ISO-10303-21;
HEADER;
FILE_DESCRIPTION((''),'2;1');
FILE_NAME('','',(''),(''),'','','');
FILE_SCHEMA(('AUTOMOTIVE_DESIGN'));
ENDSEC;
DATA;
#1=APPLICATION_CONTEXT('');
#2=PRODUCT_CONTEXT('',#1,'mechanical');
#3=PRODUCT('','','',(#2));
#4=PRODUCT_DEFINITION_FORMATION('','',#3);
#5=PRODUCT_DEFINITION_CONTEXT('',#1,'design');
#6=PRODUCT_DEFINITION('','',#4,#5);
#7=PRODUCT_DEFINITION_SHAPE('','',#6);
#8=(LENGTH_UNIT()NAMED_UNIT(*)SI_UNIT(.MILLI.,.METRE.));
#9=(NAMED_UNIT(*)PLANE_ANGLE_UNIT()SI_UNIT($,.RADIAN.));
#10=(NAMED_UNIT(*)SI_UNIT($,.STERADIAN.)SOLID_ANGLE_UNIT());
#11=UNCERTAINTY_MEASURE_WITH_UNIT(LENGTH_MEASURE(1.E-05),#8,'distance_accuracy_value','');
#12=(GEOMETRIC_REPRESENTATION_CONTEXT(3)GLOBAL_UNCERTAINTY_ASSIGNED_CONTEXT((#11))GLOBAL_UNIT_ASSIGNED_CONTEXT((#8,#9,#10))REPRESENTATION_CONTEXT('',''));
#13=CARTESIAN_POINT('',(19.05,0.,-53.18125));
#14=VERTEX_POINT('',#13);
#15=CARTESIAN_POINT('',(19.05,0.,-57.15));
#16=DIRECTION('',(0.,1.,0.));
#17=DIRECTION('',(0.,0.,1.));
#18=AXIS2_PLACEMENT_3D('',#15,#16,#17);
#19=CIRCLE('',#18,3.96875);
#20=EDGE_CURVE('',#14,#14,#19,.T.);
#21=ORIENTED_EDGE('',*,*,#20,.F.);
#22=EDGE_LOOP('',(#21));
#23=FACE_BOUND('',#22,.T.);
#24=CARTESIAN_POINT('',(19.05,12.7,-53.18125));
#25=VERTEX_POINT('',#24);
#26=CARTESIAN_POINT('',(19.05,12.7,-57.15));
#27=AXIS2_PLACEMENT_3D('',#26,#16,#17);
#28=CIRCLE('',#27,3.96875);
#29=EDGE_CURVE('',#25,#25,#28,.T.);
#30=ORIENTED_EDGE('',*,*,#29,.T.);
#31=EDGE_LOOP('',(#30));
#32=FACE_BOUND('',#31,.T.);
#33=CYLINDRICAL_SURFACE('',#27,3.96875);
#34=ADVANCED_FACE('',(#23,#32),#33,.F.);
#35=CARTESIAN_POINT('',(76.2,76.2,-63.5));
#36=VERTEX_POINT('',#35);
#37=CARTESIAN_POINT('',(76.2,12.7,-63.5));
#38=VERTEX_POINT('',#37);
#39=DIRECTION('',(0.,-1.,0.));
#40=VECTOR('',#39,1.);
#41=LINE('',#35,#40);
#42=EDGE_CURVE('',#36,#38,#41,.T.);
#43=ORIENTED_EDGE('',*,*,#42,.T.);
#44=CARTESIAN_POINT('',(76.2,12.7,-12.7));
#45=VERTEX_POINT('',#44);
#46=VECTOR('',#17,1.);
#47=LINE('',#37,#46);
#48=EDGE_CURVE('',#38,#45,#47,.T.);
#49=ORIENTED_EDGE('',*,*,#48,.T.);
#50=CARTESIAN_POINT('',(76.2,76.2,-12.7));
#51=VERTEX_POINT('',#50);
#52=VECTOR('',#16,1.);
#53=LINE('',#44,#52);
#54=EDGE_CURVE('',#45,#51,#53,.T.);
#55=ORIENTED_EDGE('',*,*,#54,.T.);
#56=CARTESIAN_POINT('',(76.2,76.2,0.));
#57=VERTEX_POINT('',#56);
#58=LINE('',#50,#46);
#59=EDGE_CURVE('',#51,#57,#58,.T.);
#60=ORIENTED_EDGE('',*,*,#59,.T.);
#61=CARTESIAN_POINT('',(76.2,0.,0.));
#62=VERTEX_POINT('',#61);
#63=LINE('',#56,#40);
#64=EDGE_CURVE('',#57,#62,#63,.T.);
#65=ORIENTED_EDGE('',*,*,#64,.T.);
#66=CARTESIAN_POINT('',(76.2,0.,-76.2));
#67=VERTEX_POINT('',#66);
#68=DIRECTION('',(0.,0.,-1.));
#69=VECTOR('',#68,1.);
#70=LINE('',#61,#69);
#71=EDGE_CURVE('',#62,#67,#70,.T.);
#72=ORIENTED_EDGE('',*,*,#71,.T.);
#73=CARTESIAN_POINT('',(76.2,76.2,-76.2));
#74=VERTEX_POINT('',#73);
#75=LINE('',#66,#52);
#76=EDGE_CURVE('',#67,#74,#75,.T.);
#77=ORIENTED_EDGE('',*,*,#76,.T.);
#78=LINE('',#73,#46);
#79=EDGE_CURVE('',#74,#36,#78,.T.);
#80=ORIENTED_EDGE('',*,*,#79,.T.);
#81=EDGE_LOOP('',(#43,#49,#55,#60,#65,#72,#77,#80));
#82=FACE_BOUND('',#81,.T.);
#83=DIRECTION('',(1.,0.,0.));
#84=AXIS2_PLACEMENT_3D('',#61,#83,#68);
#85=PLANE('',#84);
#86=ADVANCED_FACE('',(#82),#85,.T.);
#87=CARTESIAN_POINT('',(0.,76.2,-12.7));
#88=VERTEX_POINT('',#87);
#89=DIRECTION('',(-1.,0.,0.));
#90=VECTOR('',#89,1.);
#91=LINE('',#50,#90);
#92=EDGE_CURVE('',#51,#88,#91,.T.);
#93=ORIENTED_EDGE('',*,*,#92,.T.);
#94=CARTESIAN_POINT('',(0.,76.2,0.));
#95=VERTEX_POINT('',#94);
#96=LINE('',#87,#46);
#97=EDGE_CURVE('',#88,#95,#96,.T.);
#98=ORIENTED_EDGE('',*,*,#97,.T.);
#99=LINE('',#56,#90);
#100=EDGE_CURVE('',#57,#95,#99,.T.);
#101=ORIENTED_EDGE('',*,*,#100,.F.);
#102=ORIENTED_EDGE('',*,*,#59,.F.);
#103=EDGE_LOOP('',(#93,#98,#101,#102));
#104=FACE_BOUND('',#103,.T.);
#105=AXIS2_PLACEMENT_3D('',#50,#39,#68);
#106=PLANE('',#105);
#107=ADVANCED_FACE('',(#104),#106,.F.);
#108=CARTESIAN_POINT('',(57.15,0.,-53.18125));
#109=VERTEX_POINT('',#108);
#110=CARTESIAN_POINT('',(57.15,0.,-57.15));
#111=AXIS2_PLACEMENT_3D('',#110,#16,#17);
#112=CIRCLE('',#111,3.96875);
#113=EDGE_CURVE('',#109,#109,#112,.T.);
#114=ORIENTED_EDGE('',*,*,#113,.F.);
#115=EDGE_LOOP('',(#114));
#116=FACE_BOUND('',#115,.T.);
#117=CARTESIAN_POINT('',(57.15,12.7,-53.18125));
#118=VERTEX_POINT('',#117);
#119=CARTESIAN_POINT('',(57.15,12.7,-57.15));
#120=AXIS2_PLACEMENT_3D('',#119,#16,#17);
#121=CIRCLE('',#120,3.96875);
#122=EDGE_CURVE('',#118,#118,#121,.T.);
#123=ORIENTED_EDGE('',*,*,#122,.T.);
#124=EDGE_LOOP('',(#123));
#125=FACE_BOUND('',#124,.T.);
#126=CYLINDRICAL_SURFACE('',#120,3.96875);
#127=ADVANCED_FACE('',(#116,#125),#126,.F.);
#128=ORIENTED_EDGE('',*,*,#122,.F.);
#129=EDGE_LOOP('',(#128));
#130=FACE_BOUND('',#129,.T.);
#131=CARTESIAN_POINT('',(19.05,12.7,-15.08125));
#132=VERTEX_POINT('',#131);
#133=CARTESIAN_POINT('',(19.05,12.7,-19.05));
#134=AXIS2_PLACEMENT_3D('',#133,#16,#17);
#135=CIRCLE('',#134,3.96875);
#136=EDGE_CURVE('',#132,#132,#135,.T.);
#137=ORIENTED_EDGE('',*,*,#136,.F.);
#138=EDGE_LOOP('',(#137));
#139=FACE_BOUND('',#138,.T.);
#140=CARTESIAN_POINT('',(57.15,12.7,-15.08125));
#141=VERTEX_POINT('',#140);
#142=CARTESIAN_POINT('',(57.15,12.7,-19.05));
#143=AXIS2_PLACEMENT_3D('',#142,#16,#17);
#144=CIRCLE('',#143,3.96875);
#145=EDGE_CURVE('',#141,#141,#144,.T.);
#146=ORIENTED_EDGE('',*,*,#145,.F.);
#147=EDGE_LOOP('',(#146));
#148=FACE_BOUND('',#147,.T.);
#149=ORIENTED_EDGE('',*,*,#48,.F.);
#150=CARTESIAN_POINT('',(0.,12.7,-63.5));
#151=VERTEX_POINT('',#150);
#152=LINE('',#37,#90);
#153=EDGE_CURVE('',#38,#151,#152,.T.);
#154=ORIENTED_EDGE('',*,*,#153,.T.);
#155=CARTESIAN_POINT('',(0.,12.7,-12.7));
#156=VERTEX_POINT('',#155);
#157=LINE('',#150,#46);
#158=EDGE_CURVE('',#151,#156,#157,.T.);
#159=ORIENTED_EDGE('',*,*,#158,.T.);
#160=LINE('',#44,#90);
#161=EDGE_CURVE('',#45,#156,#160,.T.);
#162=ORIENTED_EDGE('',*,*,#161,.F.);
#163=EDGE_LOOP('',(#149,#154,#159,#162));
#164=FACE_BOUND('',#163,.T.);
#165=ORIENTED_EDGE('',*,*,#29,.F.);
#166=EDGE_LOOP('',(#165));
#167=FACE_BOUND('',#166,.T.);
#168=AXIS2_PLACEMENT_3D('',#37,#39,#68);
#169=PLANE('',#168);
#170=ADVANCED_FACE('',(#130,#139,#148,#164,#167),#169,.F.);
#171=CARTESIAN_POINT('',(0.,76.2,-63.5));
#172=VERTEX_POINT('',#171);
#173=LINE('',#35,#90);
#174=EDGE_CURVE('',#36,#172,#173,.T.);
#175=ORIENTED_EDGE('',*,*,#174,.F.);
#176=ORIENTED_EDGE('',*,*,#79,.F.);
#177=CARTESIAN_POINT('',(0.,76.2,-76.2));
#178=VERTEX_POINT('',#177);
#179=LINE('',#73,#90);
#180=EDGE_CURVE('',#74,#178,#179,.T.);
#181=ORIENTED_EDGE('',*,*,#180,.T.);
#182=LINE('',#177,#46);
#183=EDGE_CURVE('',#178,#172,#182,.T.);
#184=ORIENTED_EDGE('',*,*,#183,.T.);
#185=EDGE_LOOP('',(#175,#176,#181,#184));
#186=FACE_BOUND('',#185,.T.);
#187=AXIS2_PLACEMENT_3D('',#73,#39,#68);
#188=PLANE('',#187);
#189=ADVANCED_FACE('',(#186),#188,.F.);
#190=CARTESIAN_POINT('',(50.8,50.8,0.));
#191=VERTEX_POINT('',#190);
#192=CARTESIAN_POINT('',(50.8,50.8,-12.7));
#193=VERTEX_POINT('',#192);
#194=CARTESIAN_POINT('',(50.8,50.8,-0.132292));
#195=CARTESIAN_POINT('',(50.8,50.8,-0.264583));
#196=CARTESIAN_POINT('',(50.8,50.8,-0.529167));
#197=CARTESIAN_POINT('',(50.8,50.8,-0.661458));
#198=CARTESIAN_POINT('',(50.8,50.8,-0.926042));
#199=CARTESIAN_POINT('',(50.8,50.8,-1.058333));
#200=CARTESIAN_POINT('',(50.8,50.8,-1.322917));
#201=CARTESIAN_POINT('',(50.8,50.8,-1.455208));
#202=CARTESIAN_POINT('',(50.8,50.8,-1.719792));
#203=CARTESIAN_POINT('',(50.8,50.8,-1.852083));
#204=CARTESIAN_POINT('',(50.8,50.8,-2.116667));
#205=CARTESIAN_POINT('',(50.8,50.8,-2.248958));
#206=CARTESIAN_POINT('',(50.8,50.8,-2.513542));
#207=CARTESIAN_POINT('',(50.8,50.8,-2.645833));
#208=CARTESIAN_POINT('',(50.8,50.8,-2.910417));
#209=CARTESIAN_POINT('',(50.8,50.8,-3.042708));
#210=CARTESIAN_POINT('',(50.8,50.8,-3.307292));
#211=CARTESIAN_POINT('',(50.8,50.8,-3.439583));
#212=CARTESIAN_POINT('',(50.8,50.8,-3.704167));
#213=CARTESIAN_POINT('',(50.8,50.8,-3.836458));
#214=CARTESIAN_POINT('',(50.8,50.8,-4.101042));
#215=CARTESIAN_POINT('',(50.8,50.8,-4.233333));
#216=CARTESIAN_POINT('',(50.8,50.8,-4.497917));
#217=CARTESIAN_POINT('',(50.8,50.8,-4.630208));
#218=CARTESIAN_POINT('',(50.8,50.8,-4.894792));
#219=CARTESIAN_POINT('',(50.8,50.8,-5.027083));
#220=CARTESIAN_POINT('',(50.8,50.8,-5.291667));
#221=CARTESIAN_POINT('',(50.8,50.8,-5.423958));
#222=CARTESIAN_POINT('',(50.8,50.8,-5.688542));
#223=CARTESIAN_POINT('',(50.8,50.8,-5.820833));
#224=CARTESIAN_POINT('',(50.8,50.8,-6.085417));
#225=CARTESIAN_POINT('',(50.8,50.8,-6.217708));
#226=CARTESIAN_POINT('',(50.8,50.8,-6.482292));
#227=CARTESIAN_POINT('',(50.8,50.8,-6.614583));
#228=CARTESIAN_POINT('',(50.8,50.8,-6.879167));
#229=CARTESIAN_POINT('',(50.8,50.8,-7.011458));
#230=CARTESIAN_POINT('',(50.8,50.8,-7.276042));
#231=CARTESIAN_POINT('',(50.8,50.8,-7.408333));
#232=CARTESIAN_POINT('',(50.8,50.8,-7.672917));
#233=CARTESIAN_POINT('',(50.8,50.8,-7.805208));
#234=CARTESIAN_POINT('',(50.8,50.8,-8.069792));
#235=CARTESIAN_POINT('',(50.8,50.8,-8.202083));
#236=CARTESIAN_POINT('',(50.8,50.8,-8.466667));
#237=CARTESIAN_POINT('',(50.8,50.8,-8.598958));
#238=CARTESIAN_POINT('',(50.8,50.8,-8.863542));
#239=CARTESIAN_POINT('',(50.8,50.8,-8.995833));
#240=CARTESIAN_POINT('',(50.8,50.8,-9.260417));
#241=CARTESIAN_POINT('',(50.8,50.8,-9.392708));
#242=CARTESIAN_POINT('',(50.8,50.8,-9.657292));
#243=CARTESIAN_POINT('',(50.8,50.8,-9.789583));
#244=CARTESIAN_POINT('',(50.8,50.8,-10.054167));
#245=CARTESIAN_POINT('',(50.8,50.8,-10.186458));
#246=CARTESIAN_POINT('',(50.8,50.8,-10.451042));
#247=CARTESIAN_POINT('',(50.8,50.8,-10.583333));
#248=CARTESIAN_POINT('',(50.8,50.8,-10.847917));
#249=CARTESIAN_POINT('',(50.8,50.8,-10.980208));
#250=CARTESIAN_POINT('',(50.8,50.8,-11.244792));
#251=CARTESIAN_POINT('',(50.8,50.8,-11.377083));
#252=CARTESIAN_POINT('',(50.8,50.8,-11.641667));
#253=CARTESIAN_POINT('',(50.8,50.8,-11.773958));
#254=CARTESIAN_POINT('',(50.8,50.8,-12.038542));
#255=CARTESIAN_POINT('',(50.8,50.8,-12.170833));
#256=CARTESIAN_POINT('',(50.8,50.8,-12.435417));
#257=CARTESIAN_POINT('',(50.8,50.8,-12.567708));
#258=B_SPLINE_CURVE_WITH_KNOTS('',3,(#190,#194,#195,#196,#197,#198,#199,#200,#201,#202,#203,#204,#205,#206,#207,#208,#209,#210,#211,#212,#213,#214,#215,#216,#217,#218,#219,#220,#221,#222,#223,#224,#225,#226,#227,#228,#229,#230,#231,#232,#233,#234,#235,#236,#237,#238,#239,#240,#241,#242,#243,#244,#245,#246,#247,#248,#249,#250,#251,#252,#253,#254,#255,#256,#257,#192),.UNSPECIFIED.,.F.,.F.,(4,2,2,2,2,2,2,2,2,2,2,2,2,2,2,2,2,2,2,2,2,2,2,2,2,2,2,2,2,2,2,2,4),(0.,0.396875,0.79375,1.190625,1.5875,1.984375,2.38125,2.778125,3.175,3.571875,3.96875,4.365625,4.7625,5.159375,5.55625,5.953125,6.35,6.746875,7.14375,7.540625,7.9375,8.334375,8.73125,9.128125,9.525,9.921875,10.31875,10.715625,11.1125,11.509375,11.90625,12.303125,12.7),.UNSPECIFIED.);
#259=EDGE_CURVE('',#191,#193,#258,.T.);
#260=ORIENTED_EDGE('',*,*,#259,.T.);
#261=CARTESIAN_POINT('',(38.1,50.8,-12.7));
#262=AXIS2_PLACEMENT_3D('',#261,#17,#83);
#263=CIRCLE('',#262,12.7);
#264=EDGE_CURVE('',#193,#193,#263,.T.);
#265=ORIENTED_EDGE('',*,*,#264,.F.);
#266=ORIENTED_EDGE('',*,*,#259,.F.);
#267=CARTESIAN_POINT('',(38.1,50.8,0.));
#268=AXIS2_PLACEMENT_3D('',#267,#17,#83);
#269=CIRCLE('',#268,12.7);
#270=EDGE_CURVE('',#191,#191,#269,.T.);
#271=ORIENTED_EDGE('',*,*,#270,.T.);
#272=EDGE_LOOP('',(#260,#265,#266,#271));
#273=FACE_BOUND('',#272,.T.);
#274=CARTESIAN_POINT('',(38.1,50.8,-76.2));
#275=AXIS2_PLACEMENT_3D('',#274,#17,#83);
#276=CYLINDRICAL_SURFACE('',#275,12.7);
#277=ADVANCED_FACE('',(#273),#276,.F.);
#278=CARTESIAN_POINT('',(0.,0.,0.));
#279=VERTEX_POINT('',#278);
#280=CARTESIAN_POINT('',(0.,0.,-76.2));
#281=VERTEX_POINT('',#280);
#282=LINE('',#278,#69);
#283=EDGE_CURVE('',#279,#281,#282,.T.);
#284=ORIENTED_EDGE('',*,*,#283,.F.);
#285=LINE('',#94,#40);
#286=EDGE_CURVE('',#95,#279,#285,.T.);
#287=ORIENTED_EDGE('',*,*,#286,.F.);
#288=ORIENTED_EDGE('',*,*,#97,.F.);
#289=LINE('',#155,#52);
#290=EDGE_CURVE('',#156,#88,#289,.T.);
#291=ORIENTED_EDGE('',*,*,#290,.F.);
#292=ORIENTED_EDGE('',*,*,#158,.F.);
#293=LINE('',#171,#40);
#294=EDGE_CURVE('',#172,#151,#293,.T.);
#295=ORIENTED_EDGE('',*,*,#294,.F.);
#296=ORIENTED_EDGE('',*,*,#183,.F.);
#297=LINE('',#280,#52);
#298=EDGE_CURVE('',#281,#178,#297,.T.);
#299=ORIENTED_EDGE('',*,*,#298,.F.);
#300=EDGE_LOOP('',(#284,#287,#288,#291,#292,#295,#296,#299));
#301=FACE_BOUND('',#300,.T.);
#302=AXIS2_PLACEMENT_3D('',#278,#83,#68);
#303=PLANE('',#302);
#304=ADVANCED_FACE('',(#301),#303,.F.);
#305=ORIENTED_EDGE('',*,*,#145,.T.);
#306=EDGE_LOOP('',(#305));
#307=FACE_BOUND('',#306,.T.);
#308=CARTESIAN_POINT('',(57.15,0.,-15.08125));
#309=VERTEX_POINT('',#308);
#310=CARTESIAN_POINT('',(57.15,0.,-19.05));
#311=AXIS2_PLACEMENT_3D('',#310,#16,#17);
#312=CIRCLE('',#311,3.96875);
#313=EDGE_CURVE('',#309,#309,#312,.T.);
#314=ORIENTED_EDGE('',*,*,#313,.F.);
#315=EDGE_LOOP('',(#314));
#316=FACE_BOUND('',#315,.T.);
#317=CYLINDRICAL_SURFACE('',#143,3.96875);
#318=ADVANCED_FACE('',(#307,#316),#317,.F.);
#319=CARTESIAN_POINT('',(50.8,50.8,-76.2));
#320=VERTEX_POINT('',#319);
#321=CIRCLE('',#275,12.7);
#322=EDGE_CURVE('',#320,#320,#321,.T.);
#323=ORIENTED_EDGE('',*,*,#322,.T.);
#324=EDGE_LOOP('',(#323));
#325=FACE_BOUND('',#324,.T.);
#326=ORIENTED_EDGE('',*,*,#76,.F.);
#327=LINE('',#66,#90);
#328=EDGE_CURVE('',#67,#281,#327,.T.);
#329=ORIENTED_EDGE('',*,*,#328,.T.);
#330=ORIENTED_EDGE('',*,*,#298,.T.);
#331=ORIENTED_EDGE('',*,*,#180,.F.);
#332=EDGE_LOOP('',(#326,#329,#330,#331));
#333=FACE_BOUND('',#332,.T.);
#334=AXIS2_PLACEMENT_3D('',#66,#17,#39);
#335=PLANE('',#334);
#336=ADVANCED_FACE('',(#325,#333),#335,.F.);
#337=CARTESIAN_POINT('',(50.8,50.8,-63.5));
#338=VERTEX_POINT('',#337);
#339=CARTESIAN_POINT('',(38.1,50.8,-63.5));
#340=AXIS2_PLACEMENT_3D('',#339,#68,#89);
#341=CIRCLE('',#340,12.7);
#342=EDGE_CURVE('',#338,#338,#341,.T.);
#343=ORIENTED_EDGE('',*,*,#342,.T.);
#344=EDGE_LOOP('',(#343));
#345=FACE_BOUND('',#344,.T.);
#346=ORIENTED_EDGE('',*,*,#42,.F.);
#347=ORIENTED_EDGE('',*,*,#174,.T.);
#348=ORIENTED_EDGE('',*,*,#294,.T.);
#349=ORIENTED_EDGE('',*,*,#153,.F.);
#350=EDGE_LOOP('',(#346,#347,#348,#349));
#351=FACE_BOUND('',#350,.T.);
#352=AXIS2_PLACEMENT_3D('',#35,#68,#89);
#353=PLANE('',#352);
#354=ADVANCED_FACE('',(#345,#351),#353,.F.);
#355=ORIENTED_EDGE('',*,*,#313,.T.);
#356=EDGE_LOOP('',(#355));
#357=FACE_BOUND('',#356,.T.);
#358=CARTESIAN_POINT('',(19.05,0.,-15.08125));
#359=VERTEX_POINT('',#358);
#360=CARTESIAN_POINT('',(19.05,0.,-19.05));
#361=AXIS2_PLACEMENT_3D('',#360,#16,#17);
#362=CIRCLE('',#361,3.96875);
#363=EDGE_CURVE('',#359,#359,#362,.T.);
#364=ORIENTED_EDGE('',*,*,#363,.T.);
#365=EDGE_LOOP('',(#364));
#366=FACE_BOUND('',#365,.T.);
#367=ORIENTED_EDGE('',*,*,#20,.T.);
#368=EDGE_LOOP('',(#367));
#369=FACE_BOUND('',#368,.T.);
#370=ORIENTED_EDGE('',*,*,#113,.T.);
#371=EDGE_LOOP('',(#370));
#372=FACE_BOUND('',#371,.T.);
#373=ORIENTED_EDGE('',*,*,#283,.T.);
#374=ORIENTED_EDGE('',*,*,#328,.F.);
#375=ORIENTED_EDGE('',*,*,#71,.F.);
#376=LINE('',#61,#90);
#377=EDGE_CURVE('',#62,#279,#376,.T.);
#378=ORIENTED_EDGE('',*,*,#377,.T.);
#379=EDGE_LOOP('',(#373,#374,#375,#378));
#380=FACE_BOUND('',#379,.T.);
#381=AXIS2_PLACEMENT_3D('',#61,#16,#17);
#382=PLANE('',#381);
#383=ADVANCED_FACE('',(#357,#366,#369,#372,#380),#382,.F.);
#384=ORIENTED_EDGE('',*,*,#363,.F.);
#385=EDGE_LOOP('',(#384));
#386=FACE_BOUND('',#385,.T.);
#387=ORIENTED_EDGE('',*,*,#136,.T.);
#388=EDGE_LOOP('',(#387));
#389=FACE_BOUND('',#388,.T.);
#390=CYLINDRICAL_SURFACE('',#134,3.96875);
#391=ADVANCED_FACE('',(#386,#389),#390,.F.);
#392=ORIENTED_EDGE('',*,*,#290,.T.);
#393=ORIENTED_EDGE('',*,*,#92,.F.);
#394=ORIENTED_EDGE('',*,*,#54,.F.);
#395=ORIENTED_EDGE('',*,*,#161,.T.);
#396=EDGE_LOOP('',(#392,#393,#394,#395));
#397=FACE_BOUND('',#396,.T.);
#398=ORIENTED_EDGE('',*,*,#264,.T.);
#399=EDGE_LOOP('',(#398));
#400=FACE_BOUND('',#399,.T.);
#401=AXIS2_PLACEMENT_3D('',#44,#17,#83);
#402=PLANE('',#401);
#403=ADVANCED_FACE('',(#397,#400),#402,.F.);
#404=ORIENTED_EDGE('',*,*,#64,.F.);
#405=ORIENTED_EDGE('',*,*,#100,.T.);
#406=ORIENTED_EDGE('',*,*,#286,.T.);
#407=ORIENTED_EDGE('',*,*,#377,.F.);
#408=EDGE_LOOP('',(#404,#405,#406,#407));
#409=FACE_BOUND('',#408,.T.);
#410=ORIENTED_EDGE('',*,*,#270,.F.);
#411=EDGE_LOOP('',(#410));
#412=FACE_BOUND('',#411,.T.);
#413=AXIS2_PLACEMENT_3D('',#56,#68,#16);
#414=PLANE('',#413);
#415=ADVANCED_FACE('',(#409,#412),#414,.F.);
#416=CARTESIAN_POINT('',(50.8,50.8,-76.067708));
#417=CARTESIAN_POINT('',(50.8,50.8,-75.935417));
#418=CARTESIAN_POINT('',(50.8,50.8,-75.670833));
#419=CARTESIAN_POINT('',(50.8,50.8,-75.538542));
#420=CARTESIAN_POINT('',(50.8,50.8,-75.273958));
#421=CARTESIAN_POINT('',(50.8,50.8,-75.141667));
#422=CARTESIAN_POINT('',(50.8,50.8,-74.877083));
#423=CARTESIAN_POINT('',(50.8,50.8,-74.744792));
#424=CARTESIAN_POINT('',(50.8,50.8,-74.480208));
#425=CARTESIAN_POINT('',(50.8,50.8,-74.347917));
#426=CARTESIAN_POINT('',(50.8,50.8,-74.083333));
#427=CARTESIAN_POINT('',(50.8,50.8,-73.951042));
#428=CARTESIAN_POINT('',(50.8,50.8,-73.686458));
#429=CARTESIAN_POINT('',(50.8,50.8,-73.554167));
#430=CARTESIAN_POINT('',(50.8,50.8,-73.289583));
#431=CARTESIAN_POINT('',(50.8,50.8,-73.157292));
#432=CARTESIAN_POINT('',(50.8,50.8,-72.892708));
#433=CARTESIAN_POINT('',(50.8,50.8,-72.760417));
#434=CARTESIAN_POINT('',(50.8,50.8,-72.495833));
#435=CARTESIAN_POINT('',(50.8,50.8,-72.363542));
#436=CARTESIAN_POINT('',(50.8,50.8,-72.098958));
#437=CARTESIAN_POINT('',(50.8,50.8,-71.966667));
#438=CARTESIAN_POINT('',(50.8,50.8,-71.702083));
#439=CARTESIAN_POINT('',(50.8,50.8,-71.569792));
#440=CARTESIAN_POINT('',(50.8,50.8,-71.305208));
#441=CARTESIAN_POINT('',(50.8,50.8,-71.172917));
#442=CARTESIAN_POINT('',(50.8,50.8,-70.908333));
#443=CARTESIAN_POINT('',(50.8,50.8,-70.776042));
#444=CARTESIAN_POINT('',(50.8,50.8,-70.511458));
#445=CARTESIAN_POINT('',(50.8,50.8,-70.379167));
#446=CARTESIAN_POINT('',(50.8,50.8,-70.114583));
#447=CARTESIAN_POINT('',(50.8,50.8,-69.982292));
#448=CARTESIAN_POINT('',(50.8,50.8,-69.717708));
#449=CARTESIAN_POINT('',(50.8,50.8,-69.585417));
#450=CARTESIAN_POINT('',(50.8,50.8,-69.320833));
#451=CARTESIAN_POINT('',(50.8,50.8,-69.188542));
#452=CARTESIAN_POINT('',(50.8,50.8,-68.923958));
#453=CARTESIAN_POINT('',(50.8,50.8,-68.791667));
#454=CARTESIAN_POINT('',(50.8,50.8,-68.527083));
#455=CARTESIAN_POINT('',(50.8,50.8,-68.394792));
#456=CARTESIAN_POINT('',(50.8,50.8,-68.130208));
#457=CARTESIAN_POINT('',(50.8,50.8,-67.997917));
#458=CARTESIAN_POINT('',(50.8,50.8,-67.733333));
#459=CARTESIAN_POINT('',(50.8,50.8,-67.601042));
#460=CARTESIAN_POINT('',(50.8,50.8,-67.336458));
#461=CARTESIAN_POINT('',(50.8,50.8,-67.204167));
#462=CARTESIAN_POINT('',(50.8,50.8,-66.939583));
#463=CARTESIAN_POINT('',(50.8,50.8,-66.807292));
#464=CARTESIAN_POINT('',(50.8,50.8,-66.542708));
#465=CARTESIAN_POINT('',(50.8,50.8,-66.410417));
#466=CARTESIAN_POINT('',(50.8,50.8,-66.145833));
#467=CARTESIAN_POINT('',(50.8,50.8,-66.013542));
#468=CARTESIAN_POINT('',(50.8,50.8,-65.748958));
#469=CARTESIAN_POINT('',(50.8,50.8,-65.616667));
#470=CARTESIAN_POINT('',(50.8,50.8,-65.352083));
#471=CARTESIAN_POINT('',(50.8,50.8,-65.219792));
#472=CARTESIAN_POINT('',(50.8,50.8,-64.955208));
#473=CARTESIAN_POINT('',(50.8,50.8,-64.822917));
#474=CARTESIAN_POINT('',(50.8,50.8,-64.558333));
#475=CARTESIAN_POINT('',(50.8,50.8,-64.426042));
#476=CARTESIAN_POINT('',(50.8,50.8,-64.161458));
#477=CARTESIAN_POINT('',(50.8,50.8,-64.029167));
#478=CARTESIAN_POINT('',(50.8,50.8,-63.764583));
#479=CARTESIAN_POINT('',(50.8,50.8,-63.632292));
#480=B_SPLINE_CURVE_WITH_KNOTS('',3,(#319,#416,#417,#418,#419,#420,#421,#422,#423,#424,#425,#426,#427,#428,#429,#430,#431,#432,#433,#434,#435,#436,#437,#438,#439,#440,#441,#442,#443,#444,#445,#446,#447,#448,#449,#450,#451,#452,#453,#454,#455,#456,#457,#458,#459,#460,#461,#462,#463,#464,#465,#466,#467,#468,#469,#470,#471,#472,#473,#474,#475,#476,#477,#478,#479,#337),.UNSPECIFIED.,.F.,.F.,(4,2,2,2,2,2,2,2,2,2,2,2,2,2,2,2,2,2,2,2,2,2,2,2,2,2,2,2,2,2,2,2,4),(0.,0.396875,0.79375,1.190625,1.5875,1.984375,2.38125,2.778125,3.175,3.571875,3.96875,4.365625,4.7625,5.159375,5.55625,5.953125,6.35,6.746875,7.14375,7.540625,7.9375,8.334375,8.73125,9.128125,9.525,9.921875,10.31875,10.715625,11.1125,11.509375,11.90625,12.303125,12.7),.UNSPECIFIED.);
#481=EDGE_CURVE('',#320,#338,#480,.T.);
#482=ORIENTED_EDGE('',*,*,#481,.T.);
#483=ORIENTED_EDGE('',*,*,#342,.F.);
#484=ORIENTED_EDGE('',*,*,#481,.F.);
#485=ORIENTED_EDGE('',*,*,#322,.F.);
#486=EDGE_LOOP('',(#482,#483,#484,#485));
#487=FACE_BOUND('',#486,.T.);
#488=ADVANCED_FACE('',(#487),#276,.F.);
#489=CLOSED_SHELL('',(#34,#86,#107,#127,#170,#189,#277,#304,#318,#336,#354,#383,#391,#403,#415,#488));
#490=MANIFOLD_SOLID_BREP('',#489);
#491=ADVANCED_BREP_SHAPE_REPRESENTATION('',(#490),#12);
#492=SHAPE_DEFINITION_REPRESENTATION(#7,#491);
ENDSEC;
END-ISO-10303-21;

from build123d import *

# Parameters (mm, degrees)
BOSS_EXTRUDE1_DEPTH            = 76.2
SKETCH2_R                      = 12.7
CUT_EXTRUDE1_DEPTH             = 132.982271537
F_5_16_0_3125_DIAMETER_HOLE1_D = 7.9375
LPATTERN1_COUNT                = 2
LPATTERN1_PITCH                = 38.1
LPATTERN1_COUNT_DIR2           = 2
LPATTERN1_PITCH_DIR2           = 38.1


with BuildPart() as part:
    # Sketch1 → Boss-Extrude1 (new body)
    with BuildSketch(Plane(origin=(0, 0, 0), x_dir=(0, 0, -1), z_dir=(1, 0, 0))):
        Polygon((0, 0), (76.2, 0), (76.2, 76.2), (63.5, 76.2), (63.5, 12.7), (12.7, 12.7), (12.7, 76.2), (0, 76.2), align=None)
    extrude(amount=BOSS_EXTRUDE1_DEPTH)

    # Sketch2 → Cut-Extrude1 (cut, through all)
    with BuildSketch(Plane.XY):
        with Locations((38.1, 50.8)):
            Circle(SKETCH2_R)
    extrude(amount=-CUT_EXTRUDE1_DEPTH, mode=Mode.SUBTRACT)

    # 5/16 (0.3125) Diameter Hole1 (through all)
    with Locations(Plane(origin=(0, 12.7, 0), x_dir=(1, 0, 0), z_dir=(0, 1, 0))):
        with Locations((19.05, 19.05)):
            f_5_16_0_3125_diameter_hole1 = Hole(F_5_16_0_3125_DIAMETER_HOLE1_D / 2)

    # LPattern1: 5_16 _0.3125_ Diameter Hole1 2 × 2
    with Locations(*[(i * LPATTERN1_PITCH, 0, -j * LPATTERN1_PITCH_DIR2) for i in range(LPATTERN1_COUNT) for j in range(LPATTERN1_COUNT_DIR2) if (i, j) != (0, 0)]):
        add(f_5_16_0_3125_diameter_hole1, mode=Mode.SUBTRACT)


solid = part.part
